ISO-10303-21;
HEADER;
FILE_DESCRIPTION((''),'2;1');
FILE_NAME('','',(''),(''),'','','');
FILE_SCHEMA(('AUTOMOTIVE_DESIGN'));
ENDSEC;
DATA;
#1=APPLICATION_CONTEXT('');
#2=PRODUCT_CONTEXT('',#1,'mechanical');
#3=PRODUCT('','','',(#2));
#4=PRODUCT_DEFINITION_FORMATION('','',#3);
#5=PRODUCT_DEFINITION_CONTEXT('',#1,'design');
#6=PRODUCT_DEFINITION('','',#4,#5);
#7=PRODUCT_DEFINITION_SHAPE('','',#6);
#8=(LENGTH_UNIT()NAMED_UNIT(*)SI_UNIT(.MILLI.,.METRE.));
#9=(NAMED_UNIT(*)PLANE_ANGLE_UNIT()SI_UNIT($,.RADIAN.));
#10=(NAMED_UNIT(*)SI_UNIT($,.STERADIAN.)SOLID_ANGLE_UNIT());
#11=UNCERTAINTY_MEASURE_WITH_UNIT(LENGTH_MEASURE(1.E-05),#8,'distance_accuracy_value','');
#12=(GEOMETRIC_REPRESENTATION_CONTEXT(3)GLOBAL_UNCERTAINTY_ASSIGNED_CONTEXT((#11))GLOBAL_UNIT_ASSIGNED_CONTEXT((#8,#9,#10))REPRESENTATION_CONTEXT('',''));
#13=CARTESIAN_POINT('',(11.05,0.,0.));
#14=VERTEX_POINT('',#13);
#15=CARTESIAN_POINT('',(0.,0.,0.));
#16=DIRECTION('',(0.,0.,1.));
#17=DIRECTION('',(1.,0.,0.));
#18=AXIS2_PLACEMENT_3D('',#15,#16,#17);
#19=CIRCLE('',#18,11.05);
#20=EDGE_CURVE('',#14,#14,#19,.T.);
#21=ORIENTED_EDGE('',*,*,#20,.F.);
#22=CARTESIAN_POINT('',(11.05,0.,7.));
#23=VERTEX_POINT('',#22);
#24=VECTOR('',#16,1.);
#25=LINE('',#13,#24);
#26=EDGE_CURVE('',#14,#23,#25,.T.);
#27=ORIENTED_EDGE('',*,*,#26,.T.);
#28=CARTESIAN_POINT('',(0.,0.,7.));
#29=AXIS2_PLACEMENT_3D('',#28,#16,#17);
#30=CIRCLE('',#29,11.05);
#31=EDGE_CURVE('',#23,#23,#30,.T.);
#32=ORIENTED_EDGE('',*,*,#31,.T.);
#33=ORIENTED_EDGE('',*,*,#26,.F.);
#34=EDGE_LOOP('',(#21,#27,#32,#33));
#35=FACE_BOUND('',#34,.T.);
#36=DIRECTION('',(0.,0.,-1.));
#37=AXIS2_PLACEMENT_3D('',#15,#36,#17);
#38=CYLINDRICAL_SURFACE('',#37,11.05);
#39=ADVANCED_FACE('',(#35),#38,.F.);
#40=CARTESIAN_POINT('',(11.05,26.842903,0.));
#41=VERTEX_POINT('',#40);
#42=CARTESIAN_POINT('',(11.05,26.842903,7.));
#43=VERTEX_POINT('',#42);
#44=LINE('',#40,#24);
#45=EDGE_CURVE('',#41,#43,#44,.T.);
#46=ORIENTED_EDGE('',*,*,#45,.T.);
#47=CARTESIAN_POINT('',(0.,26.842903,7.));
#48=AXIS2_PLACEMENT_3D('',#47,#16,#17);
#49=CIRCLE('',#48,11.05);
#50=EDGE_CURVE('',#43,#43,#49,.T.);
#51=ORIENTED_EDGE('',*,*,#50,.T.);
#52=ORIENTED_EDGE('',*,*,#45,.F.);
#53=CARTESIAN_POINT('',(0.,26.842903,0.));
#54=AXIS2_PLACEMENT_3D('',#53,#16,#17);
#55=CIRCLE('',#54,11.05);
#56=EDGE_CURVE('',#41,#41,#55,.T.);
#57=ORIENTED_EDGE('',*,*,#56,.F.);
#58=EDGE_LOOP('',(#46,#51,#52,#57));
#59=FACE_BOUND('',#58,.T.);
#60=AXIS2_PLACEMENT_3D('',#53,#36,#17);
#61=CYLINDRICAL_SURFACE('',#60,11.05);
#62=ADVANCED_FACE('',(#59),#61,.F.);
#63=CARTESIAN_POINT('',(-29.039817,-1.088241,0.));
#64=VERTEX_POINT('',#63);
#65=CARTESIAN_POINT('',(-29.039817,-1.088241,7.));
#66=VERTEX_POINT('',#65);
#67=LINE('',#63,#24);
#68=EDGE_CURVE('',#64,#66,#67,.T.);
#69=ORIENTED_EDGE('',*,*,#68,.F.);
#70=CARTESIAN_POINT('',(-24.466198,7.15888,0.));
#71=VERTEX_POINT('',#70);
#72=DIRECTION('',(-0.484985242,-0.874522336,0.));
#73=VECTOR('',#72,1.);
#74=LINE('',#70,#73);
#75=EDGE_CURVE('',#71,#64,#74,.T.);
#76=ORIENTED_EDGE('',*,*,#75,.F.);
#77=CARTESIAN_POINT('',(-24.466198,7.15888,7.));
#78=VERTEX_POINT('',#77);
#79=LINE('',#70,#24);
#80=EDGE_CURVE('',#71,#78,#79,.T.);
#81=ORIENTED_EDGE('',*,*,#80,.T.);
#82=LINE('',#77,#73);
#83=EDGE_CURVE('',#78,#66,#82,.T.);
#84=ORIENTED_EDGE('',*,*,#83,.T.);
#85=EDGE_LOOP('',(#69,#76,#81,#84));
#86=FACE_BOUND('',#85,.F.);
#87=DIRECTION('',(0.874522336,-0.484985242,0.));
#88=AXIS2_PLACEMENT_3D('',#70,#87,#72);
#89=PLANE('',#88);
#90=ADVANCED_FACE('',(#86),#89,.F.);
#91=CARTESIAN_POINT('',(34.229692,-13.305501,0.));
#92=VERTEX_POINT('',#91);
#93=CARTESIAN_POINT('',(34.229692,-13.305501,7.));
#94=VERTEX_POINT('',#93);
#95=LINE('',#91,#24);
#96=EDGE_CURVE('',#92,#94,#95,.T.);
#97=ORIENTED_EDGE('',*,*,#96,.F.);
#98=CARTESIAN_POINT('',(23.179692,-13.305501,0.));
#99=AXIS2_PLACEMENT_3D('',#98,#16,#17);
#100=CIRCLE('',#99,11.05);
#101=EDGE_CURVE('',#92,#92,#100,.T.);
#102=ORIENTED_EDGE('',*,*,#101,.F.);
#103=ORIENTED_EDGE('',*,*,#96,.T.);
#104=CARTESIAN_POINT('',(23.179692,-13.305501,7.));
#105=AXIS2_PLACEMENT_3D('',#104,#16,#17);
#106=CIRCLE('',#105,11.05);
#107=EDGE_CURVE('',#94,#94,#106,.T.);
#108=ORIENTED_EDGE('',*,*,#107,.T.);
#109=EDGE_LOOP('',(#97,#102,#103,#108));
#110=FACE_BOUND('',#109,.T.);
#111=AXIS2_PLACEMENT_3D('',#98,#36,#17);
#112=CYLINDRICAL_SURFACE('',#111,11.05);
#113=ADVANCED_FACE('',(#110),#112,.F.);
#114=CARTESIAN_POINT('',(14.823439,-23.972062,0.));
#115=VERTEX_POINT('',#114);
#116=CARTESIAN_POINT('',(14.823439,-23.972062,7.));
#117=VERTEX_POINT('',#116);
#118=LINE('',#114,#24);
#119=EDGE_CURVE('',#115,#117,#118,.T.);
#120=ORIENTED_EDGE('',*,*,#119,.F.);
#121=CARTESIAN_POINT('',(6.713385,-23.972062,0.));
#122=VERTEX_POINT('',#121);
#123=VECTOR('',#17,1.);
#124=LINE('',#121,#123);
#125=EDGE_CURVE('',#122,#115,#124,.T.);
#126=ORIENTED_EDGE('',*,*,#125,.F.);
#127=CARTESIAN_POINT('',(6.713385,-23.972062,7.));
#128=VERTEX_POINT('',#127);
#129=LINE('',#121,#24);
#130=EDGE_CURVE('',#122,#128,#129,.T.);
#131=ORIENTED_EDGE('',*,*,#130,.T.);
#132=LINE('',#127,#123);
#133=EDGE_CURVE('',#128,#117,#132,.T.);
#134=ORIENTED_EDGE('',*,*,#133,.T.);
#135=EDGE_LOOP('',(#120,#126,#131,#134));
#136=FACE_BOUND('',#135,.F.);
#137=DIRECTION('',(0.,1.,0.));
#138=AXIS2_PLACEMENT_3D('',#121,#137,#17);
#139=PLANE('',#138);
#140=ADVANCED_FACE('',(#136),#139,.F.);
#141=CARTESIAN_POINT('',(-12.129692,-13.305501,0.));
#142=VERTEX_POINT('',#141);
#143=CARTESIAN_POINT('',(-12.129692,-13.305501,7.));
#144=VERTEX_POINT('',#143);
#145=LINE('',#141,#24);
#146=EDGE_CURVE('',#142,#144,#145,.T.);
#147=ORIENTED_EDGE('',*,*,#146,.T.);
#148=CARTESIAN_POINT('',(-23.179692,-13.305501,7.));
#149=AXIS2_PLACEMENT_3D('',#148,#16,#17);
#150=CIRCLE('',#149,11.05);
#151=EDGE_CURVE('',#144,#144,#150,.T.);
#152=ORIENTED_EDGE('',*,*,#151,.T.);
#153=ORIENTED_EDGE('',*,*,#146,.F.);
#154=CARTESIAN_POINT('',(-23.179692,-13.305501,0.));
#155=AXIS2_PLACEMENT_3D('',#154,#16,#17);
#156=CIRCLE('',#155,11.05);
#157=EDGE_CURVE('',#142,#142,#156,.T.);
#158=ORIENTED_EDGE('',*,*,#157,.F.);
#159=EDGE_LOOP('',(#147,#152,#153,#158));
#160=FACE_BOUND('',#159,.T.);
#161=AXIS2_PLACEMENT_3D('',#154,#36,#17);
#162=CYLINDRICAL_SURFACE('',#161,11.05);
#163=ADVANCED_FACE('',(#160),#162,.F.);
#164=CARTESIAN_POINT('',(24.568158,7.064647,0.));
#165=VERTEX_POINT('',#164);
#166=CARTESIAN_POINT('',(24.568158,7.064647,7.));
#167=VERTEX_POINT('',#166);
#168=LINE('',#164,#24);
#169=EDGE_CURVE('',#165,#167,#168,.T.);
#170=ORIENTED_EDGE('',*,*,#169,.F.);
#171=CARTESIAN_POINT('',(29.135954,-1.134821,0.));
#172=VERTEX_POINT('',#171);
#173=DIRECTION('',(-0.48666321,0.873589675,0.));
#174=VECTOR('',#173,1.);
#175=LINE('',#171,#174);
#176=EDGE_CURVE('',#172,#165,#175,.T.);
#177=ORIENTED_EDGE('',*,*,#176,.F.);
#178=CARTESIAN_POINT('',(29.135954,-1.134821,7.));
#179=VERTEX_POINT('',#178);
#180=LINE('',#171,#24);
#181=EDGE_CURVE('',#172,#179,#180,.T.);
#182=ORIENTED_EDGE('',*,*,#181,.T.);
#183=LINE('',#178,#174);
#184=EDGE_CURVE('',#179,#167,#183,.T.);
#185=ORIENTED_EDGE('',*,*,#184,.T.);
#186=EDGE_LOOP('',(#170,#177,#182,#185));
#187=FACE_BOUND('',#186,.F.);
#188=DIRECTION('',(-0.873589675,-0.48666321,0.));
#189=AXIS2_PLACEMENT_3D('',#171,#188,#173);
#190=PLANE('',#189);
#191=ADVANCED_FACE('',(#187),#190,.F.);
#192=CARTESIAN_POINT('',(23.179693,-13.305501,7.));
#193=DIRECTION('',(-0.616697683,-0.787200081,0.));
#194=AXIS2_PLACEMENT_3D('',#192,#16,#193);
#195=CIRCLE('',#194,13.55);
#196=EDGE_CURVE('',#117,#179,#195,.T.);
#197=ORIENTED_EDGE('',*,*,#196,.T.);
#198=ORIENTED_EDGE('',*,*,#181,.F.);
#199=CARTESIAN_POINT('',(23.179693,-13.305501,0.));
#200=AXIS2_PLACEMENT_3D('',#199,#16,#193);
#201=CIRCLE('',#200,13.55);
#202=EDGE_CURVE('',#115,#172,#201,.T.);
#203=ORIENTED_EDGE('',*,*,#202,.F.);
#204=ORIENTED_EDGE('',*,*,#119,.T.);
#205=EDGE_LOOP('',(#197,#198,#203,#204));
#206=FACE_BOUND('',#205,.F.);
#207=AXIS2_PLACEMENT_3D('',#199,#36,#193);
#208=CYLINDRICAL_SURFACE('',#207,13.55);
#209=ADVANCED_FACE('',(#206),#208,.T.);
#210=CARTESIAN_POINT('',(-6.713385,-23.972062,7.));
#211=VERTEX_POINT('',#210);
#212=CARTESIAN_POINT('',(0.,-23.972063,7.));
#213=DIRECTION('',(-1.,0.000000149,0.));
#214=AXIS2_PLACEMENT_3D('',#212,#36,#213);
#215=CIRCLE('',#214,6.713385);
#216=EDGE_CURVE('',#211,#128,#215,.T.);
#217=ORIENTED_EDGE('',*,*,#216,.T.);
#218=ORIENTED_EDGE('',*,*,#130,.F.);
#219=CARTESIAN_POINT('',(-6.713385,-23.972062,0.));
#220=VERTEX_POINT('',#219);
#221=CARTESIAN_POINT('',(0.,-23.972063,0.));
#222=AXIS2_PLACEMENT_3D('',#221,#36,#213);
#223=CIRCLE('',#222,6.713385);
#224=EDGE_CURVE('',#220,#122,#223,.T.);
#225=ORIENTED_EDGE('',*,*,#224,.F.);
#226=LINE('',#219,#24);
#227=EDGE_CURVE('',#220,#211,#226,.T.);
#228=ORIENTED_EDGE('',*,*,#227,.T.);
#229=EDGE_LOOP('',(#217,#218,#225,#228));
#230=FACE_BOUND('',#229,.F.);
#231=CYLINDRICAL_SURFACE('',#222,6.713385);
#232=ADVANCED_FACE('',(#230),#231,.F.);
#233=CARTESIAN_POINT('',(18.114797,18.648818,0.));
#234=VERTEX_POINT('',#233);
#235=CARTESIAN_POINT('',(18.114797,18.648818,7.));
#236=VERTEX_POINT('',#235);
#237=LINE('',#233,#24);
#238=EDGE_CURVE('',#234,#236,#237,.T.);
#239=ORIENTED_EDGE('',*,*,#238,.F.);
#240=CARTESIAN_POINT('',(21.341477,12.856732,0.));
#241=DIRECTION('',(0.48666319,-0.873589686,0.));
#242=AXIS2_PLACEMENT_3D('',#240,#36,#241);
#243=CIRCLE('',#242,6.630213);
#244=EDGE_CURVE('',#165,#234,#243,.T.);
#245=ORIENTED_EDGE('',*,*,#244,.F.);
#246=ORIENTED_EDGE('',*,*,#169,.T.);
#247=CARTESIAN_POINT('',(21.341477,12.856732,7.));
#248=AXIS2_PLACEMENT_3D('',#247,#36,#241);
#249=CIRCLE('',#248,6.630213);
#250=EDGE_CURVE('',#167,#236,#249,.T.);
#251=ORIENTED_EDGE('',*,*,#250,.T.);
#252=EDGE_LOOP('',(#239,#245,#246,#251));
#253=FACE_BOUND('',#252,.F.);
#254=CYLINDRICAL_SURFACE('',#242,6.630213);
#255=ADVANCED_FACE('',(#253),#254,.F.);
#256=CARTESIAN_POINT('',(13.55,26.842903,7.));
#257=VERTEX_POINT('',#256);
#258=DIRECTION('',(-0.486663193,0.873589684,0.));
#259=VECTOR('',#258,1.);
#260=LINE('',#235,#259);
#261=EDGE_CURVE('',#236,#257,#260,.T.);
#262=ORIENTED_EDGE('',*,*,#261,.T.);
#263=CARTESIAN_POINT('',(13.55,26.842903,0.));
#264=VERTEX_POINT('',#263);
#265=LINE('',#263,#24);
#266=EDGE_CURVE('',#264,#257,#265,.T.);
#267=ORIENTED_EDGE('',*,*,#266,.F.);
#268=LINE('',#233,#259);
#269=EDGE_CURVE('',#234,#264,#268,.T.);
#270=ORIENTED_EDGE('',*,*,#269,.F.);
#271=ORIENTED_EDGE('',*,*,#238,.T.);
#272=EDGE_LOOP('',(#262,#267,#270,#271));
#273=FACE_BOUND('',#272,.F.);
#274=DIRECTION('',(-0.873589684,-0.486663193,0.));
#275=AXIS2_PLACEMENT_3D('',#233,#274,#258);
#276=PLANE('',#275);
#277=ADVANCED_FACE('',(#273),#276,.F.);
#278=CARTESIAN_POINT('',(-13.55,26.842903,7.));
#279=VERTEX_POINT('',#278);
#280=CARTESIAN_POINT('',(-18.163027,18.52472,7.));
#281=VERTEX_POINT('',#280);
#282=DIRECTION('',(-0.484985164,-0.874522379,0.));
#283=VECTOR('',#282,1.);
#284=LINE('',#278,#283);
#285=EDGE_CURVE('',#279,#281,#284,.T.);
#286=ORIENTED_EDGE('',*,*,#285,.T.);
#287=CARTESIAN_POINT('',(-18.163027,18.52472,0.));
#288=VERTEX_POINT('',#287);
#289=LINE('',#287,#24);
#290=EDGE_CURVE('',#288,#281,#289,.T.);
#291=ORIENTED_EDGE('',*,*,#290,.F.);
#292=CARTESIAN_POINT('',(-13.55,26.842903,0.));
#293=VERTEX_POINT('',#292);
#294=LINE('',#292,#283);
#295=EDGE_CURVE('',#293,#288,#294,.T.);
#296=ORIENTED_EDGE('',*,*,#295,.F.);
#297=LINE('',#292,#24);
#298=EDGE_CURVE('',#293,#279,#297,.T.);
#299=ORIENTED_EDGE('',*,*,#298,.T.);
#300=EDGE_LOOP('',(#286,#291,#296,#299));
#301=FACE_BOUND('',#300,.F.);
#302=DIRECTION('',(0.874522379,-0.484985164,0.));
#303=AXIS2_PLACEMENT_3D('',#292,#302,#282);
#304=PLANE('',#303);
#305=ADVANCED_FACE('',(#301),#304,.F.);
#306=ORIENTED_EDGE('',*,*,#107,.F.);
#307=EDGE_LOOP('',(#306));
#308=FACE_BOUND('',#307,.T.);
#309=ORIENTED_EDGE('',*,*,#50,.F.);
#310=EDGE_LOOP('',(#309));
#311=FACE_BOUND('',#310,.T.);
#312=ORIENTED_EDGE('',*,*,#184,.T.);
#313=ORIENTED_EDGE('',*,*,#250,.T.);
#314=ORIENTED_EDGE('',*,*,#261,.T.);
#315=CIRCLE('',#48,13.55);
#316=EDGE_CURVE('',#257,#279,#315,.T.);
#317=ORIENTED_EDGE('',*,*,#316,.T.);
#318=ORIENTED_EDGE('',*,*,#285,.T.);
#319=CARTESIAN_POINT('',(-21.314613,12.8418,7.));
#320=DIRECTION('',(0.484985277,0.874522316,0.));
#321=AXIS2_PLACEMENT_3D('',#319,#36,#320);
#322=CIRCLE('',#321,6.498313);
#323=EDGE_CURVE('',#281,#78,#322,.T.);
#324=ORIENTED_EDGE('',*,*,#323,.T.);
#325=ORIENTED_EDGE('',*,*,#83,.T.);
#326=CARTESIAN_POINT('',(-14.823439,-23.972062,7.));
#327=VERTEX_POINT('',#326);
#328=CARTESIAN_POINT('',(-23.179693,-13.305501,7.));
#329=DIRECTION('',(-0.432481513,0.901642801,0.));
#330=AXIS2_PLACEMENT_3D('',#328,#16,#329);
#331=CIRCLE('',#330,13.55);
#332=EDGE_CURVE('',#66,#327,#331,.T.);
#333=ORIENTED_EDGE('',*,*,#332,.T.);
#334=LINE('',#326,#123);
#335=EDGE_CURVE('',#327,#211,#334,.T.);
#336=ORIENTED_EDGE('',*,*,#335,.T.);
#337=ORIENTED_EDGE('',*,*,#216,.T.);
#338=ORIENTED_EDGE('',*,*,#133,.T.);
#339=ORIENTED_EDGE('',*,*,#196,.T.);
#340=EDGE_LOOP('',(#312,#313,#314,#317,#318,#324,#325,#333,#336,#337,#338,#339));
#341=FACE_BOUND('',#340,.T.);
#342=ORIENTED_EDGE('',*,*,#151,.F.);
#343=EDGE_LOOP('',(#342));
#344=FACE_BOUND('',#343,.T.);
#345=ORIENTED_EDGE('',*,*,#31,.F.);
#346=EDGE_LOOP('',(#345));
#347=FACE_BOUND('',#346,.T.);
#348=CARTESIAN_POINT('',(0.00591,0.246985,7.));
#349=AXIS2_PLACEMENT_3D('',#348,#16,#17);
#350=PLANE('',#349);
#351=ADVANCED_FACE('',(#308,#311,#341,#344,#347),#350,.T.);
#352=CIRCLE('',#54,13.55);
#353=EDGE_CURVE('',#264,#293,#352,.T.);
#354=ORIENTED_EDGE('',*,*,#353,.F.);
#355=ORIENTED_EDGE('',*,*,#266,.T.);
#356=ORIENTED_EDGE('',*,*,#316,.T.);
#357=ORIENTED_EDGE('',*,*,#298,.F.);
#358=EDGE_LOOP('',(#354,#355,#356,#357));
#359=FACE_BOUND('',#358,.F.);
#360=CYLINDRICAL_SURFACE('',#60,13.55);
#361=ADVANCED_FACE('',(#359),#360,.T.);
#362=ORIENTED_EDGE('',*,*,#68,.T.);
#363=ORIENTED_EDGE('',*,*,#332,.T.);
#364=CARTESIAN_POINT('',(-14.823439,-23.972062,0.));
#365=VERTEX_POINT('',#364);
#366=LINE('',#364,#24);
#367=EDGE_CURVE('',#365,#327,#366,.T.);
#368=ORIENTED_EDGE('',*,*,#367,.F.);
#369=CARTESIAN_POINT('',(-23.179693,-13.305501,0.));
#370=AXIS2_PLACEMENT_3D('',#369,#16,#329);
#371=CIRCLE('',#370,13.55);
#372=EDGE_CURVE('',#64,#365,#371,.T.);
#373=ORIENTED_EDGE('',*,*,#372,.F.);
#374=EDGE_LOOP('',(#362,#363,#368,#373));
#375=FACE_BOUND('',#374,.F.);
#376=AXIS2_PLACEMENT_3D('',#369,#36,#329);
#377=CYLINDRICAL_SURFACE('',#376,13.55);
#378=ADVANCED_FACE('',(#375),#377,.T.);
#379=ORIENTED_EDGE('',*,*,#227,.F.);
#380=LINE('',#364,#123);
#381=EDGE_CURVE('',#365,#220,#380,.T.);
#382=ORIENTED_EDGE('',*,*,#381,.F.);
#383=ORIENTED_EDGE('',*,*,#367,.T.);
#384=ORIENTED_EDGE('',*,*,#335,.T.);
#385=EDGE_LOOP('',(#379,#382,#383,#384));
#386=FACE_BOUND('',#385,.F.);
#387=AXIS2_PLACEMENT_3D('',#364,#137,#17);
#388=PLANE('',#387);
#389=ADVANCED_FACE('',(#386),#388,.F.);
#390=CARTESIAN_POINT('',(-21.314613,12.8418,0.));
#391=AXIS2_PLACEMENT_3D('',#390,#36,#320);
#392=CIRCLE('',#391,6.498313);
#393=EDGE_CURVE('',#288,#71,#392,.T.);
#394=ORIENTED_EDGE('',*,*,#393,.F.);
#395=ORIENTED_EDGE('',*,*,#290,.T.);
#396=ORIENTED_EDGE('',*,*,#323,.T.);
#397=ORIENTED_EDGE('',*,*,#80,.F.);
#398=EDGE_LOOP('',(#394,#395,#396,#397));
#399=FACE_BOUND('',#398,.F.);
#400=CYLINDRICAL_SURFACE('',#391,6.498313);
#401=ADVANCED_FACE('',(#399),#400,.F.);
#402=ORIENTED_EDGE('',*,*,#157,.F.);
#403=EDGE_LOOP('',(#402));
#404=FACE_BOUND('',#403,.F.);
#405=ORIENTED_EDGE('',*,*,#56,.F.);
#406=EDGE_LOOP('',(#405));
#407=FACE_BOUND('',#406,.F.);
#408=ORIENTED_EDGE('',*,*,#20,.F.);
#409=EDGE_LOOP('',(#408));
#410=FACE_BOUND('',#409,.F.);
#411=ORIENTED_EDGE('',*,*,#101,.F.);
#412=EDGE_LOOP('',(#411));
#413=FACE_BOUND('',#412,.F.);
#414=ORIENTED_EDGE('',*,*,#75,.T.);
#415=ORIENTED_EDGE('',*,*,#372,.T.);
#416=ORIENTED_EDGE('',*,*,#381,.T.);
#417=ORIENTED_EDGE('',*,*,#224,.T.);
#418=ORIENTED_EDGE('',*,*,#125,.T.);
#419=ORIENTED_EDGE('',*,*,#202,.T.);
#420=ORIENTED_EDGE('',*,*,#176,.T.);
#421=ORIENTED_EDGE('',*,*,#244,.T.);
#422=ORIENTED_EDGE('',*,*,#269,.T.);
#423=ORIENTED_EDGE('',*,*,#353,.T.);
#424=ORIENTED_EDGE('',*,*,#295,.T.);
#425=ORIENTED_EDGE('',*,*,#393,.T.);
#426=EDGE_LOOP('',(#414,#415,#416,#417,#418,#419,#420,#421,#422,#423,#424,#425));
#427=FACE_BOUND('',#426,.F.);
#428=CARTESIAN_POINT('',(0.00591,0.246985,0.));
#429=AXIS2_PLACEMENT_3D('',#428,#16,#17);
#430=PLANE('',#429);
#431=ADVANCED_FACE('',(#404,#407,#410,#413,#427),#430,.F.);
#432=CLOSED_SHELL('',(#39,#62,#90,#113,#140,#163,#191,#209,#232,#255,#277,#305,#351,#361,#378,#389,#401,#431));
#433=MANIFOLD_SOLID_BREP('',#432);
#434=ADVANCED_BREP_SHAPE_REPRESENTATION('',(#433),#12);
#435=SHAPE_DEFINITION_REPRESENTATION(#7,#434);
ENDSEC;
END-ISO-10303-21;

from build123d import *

# Parameters (mm, degrees)
F0_R     = 11.05
F1_DEPTH = 7


with BuildPart() as f1:
    # F0 (on Top) → F1 (new body)
    with BuildSketch(Plane.XY):
        with BuildLine():
            Line((18.114797, 18.648818), (13.55, 26.842903))
            ThreePointArc((13.55, 26.842903), (0, 40.392903), (-13.55, 26.842903))
            Line((-13.55, 26.842903), (-18.163027, 18.52472))
            ThreePointArc((-18.163027, 18.52472), (-15.631693, 9.690215), (-24.466198, 7.15888))
            Line((-24.466198, 7.15888), (-29.039817, -1.088241))
            ThreePointArc((-29.039817, -1.088241), (-34.68947, -20.455852), (-14.823439, -23.972062))
            Line((-14.823439, -23.972062), (-6.713385, -23.972062))
            ThreePointArc((-6.713385, -23.972062), (0, -17.258678), (6.713385, -23.972062))
            Line((6.713385, -23.972062), (14.823439, -23.972062))
            ThreePointArc((14.823439, -23.972062), (34.661194, -20.501168), (29.135954, -1.134821))
            Line((29.135954, -1.134821), (24.568158, 7.064647))
            ThreePointArc((24.568158, 7.064647), (15.549392, 9.630052), (18.114797, 18.648818))
        make_face()
        with Locations((-23.179692, -13.305501)):
            Circle(F0_R, mode=Mode.SUBTRACT)
        with Locations((23.179692, -13.305501)):
            Circle(F0_R, mode=Mode.SUBTRACT)
        Circle(F0_R, mode=Mode.SUBTRACT)
        with Locations((0, 26.842903)):
            Circle(F0_R, mode=Mode.SUBTRACT)
    extrude(amount=F1_DEPTH)


solid = f1.part
